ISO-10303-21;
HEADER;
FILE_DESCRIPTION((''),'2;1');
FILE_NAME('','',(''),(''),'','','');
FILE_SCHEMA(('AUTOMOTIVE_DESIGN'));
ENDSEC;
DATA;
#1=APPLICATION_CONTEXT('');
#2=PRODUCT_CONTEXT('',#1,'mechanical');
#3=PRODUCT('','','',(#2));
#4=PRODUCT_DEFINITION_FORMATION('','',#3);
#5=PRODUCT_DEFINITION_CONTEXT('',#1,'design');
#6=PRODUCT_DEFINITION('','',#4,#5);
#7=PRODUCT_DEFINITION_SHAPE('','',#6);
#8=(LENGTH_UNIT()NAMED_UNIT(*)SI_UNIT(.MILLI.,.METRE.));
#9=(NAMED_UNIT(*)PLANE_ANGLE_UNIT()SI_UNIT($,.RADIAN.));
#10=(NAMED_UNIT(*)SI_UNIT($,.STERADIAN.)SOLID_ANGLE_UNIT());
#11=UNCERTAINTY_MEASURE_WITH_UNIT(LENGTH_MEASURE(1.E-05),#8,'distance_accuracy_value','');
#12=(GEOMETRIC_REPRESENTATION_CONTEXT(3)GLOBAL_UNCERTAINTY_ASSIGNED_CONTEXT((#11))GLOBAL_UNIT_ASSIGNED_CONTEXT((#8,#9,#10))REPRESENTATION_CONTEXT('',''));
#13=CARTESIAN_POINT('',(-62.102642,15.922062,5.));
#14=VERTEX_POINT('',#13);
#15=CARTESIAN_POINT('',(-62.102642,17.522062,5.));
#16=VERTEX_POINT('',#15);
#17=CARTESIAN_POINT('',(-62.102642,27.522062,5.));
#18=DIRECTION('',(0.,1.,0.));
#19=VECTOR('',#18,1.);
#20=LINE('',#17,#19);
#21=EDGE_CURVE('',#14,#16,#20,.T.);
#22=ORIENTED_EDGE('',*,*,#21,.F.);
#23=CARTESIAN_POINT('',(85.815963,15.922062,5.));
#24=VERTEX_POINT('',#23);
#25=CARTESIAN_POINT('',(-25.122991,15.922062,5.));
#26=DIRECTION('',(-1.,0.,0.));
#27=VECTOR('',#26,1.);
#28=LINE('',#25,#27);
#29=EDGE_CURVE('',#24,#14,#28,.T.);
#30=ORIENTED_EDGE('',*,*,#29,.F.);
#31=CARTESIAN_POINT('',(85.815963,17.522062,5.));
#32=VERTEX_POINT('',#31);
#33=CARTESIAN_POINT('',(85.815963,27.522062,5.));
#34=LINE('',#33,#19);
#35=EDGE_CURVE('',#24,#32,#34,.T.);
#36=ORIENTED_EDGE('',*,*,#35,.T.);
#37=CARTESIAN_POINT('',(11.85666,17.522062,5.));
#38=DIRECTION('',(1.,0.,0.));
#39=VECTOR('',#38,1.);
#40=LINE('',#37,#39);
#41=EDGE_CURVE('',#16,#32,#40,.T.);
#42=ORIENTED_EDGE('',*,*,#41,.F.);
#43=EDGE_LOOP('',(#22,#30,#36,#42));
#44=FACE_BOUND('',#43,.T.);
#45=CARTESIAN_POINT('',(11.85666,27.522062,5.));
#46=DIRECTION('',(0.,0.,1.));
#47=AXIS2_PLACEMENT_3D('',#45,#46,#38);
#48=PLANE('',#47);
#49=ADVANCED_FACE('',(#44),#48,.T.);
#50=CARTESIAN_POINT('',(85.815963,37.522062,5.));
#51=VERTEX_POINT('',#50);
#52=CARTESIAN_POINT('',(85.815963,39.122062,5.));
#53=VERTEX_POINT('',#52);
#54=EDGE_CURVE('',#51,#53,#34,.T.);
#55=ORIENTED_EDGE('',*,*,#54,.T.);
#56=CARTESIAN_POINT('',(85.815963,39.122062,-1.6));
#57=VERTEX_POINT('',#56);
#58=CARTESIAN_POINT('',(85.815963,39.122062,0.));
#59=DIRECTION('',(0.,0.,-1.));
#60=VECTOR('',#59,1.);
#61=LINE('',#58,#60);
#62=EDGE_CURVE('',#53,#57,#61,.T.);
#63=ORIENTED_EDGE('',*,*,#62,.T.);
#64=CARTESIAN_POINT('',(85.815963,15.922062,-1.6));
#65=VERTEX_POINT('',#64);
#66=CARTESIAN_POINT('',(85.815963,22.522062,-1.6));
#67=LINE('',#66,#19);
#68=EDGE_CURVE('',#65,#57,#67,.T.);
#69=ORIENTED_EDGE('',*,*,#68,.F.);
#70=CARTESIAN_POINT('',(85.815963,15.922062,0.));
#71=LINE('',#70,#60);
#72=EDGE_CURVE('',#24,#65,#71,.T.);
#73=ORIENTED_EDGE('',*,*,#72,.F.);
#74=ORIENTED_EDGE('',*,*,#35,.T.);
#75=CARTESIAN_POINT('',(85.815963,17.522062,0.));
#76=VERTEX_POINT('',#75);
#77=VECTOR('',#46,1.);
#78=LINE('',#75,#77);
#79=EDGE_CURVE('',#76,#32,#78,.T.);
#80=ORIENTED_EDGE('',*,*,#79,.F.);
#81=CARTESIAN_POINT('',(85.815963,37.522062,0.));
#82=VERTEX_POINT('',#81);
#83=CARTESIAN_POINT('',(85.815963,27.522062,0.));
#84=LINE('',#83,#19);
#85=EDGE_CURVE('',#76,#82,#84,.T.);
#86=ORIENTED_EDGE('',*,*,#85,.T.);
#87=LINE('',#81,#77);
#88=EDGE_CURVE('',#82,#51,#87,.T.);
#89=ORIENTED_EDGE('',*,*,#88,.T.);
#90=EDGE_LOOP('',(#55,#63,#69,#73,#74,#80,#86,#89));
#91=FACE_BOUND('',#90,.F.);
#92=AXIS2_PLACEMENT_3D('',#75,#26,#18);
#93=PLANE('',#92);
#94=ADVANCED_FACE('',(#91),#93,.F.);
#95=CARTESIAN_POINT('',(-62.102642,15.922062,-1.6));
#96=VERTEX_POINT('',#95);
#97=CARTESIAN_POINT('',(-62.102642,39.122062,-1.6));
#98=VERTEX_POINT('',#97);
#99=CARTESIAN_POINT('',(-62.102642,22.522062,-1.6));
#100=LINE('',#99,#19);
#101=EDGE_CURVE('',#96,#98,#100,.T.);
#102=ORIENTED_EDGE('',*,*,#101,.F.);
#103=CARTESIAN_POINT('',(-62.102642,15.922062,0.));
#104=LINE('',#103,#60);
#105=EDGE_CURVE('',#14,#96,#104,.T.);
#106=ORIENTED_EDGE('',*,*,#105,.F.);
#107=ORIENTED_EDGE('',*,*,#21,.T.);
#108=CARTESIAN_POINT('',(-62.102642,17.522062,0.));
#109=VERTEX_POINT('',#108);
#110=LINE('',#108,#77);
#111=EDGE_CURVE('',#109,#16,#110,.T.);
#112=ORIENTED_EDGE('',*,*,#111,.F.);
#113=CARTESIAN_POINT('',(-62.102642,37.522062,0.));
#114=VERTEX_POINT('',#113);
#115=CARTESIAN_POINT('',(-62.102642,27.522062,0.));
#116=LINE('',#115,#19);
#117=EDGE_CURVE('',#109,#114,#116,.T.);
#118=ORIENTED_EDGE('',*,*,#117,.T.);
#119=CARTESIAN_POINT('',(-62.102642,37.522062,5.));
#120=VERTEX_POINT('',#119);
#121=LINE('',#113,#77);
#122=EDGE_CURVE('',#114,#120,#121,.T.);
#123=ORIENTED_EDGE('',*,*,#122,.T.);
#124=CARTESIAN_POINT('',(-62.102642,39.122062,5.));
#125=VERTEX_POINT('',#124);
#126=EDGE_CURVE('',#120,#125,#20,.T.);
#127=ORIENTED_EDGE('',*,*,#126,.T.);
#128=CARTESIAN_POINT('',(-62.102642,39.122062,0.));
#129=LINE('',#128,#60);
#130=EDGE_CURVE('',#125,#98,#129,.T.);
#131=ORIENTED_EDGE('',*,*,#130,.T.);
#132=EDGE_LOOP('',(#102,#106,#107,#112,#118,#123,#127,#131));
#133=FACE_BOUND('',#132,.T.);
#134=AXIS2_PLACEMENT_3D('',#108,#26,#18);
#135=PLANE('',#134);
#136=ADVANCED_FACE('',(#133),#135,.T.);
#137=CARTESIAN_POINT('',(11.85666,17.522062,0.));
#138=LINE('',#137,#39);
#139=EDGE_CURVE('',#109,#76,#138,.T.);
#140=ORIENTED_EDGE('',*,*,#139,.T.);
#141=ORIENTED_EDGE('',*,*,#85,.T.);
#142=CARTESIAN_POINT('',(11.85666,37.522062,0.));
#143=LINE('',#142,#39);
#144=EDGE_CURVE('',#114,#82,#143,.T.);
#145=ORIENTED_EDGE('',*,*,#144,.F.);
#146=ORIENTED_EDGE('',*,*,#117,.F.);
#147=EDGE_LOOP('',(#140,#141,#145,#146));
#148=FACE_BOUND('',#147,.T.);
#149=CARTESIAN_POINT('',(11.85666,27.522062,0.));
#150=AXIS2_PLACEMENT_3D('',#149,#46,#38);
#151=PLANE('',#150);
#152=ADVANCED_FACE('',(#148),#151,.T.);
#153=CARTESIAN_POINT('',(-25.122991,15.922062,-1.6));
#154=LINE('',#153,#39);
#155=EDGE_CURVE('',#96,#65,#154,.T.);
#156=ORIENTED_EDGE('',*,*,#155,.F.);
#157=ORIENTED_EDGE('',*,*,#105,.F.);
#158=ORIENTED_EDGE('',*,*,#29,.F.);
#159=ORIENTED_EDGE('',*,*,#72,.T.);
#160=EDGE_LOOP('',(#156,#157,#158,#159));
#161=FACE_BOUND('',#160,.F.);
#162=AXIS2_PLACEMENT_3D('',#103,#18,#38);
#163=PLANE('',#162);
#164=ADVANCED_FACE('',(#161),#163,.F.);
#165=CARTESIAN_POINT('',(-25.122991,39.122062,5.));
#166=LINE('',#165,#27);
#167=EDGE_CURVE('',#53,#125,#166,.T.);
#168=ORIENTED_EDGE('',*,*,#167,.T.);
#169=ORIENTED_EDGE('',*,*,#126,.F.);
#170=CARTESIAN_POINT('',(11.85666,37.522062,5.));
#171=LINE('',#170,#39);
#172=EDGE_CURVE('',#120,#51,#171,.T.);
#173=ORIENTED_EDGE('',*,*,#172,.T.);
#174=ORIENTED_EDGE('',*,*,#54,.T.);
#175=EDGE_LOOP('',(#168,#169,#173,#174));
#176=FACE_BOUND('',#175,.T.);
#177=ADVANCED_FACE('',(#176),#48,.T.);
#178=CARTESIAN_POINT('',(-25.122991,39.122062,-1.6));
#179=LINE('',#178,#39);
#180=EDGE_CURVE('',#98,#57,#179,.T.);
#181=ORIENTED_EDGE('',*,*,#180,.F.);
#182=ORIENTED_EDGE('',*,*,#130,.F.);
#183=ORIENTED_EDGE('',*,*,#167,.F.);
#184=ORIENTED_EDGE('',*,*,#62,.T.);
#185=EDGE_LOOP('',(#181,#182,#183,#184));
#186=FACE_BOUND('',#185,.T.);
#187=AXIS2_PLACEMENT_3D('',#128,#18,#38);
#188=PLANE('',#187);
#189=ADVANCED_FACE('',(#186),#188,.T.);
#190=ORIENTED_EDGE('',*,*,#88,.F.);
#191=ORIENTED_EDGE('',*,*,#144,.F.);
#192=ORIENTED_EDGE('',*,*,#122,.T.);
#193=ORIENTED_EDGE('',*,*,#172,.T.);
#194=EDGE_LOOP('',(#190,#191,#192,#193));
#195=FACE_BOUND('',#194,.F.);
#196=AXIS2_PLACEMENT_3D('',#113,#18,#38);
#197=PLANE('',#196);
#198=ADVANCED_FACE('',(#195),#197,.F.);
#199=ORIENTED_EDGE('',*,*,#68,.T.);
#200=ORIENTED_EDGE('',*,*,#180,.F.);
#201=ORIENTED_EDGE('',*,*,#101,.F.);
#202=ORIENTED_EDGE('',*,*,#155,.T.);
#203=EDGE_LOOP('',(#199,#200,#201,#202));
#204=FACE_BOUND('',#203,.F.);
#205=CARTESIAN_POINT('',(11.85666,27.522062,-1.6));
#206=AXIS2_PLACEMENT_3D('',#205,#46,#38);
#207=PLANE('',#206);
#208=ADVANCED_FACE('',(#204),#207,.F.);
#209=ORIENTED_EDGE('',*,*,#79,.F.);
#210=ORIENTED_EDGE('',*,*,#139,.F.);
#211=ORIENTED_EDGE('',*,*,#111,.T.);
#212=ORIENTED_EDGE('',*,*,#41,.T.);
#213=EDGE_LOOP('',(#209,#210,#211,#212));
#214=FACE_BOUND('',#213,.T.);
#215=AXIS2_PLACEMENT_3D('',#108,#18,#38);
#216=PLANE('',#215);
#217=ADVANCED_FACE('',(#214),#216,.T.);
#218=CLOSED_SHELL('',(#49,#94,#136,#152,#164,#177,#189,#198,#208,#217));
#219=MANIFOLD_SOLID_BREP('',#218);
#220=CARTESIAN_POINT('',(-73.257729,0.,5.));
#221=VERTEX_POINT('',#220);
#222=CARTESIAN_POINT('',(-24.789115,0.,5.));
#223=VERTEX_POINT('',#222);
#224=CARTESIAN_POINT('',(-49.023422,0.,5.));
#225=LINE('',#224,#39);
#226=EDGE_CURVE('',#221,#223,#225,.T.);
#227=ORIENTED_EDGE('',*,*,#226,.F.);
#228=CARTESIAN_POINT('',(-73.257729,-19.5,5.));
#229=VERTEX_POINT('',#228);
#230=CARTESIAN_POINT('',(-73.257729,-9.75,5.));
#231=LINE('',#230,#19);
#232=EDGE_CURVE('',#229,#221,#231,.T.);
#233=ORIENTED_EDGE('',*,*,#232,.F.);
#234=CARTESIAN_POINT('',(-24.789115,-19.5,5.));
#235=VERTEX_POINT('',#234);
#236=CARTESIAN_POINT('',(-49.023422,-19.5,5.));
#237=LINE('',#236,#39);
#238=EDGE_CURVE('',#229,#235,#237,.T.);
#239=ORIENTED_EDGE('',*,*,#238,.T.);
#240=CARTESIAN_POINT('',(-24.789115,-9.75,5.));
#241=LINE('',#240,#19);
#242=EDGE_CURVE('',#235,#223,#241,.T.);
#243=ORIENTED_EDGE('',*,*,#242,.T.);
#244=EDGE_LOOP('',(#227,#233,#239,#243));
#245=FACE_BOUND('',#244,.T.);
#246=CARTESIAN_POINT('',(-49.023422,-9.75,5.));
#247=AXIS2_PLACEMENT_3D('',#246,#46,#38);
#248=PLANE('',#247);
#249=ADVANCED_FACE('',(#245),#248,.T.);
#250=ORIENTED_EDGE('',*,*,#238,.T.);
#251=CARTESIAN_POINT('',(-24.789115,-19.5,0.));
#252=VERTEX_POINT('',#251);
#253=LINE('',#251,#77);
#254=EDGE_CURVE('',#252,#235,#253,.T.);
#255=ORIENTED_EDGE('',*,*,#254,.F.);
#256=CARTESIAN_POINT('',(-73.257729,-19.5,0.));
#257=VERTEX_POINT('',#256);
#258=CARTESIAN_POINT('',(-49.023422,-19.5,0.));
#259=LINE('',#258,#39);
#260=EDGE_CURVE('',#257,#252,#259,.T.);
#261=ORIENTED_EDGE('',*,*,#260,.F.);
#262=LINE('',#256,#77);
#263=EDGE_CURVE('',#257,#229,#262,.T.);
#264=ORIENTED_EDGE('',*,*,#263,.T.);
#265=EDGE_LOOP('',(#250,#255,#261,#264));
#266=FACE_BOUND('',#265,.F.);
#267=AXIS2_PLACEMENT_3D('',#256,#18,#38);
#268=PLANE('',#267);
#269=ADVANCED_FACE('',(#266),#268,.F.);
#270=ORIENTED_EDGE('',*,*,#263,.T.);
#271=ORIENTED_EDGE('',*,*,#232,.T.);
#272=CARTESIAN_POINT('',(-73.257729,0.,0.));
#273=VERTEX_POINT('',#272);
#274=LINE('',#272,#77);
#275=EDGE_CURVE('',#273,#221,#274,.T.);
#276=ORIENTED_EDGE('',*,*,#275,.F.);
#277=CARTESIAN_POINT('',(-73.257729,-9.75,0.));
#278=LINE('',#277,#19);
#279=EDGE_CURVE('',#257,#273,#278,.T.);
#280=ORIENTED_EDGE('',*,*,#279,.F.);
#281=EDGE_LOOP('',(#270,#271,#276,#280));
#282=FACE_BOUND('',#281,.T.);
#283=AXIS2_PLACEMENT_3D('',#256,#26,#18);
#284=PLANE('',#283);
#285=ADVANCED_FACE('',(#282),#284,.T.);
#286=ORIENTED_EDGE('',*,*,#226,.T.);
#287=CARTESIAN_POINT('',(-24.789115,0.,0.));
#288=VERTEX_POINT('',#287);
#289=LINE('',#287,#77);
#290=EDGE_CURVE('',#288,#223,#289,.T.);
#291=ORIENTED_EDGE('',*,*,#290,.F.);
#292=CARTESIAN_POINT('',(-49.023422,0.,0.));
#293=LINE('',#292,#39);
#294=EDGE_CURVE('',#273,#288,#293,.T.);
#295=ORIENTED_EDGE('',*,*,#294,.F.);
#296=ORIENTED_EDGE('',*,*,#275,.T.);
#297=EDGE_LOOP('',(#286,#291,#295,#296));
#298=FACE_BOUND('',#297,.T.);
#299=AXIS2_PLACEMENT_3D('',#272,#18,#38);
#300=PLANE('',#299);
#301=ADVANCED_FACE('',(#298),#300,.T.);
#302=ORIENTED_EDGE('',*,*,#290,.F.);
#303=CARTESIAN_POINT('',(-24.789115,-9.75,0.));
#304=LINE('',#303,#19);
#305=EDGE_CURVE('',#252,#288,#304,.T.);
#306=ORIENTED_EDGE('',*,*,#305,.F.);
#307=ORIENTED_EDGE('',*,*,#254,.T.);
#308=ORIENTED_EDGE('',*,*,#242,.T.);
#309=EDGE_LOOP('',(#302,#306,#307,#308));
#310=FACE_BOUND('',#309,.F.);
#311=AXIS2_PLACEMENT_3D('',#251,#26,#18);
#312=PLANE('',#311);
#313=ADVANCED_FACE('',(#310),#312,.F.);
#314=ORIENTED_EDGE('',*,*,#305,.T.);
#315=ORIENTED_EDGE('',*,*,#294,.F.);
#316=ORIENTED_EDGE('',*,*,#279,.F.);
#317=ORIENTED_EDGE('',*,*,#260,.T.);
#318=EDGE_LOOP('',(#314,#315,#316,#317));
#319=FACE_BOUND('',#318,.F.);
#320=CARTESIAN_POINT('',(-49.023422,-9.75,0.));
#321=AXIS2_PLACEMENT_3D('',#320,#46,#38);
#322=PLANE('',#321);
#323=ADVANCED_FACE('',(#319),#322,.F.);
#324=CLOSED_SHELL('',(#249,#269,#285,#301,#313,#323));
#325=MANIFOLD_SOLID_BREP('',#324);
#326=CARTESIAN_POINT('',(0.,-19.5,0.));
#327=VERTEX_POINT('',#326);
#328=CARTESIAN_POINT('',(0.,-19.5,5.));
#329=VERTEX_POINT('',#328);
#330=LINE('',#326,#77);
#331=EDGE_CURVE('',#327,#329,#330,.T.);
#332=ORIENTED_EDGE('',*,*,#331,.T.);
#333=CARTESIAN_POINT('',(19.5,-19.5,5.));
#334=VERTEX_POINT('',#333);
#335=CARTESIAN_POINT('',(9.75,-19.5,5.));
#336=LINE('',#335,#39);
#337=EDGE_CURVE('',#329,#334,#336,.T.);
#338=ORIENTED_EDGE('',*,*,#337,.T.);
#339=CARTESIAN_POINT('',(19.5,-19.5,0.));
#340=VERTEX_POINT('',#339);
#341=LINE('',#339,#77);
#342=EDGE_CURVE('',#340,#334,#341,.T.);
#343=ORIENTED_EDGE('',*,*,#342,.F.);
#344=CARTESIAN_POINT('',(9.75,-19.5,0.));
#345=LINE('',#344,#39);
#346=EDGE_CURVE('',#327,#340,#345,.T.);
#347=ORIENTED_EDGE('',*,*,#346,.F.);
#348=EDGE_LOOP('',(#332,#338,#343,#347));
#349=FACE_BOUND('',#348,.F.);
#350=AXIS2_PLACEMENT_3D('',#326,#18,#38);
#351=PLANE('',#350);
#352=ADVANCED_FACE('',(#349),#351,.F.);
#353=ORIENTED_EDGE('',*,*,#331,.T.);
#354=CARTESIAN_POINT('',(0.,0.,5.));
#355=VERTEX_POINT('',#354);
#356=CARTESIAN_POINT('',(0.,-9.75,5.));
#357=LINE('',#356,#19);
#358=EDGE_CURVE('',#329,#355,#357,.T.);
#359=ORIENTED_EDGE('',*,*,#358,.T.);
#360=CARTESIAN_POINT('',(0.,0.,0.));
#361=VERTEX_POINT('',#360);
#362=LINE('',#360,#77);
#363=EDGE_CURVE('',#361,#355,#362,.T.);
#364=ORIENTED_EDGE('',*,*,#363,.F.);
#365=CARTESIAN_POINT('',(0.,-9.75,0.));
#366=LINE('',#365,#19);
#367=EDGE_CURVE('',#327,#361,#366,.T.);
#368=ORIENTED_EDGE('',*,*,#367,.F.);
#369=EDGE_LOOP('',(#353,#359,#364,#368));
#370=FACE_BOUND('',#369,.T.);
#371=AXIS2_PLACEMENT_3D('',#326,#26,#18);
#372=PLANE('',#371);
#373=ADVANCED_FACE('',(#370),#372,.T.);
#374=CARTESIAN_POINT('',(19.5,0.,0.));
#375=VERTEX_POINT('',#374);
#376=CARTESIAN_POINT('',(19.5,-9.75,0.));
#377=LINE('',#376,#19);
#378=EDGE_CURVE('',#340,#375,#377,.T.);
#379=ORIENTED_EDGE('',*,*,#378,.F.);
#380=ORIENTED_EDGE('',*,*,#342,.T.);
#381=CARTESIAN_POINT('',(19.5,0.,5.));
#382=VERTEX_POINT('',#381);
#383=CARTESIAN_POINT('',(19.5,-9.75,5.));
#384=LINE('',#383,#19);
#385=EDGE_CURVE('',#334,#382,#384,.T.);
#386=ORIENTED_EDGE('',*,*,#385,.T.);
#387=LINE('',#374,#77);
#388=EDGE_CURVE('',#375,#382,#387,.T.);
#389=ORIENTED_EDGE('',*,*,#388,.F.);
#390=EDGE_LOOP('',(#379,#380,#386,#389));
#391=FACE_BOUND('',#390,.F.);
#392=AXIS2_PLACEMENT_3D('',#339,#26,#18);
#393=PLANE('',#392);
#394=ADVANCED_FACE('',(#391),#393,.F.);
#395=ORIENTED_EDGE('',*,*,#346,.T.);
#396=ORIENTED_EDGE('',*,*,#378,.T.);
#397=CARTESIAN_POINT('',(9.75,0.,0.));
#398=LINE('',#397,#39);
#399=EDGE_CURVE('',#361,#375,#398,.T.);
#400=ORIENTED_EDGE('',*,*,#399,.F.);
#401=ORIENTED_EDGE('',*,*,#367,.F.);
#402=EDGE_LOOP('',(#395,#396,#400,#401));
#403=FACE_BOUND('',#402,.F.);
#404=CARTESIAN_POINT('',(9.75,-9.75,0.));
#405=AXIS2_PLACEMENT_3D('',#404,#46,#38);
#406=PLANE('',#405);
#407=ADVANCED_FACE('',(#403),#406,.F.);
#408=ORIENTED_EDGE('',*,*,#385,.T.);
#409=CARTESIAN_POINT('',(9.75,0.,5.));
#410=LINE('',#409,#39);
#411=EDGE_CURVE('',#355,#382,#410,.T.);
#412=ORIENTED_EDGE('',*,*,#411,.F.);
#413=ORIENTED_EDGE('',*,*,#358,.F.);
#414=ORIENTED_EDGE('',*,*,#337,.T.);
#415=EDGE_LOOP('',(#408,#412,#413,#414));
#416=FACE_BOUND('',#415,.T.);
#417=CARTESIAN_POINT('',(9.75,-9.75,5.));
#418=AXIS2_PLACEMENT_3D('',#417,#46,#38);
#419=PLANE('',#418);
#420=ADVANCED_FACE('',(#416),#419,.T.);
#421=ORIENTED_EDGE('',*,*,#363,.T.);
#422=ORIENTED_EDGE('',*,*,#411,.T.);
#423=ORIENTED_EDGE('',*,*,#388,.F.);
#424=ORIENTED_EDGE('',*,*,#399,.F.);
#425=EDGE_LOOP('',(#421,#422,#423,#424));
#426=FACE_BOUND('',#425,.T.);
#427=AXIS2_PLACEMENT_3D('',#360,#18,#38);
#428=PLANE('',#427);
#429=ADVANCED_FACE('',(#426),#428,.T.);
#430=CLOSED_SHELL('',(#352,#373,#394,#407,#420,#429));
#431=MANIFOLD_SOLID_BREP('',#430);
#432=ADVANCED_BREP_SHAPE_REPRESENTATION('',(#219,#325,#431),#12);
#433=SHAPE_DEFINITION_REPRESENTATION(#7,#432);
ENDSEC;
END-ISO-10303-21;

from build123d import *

# Parameters (mm, degrees)
F0_W     = 19.5
F0_H     = 19.5
F1_DEPTH = 5
F0_W_2   = 48.4686139971
F2_W     = 147.9186050977
F2_H     = 20
F3_DEPTH = 5
F4_T     = 1.6


with BuildPart() as f1:
    # F0 (on Top) → F1 (new body)
    with BuildSketch(Plane.XY):
        with Locations((9.75, -9.75)):
            Rectangle(F0_W, F0_H)
    extrude(amount=F1_DEPTH)


with BuildPart() as f1b:
    # F0 (on Top) → F1, piece 2 (new body)
    with BuildSketch(Plane.XY):
        with Locations((-49.0234224126, -9.75)):
            Rectangle(F0_W_2, F0_H)
    extrude(amount=F1_DEPTH)


with BuildPart() as f3:
    # F2 (on Top) → F3 (new body)
    with BuildSketch(Plane.XY):
        with Locations((11.8566602468, 27.5220619515)):
            Rectangle(F2_W, F2_H)
    extrude(amount=F3_DEPTH)

    # F4
    f4_openings = [f3.faces().sort_by_distance(p)[0] for p in [
        (11.85666, 27.522062, 5),
        (-62.102642, 27.522062, 2.5),
        (85.815963, 27.522062, 2.5),
    ]]
    offset(amount=F4_T, openings=f4_openings, kind=Kind.INTERSECTION)


solid = Compound([f1.part, f1b.part, f3.part])
